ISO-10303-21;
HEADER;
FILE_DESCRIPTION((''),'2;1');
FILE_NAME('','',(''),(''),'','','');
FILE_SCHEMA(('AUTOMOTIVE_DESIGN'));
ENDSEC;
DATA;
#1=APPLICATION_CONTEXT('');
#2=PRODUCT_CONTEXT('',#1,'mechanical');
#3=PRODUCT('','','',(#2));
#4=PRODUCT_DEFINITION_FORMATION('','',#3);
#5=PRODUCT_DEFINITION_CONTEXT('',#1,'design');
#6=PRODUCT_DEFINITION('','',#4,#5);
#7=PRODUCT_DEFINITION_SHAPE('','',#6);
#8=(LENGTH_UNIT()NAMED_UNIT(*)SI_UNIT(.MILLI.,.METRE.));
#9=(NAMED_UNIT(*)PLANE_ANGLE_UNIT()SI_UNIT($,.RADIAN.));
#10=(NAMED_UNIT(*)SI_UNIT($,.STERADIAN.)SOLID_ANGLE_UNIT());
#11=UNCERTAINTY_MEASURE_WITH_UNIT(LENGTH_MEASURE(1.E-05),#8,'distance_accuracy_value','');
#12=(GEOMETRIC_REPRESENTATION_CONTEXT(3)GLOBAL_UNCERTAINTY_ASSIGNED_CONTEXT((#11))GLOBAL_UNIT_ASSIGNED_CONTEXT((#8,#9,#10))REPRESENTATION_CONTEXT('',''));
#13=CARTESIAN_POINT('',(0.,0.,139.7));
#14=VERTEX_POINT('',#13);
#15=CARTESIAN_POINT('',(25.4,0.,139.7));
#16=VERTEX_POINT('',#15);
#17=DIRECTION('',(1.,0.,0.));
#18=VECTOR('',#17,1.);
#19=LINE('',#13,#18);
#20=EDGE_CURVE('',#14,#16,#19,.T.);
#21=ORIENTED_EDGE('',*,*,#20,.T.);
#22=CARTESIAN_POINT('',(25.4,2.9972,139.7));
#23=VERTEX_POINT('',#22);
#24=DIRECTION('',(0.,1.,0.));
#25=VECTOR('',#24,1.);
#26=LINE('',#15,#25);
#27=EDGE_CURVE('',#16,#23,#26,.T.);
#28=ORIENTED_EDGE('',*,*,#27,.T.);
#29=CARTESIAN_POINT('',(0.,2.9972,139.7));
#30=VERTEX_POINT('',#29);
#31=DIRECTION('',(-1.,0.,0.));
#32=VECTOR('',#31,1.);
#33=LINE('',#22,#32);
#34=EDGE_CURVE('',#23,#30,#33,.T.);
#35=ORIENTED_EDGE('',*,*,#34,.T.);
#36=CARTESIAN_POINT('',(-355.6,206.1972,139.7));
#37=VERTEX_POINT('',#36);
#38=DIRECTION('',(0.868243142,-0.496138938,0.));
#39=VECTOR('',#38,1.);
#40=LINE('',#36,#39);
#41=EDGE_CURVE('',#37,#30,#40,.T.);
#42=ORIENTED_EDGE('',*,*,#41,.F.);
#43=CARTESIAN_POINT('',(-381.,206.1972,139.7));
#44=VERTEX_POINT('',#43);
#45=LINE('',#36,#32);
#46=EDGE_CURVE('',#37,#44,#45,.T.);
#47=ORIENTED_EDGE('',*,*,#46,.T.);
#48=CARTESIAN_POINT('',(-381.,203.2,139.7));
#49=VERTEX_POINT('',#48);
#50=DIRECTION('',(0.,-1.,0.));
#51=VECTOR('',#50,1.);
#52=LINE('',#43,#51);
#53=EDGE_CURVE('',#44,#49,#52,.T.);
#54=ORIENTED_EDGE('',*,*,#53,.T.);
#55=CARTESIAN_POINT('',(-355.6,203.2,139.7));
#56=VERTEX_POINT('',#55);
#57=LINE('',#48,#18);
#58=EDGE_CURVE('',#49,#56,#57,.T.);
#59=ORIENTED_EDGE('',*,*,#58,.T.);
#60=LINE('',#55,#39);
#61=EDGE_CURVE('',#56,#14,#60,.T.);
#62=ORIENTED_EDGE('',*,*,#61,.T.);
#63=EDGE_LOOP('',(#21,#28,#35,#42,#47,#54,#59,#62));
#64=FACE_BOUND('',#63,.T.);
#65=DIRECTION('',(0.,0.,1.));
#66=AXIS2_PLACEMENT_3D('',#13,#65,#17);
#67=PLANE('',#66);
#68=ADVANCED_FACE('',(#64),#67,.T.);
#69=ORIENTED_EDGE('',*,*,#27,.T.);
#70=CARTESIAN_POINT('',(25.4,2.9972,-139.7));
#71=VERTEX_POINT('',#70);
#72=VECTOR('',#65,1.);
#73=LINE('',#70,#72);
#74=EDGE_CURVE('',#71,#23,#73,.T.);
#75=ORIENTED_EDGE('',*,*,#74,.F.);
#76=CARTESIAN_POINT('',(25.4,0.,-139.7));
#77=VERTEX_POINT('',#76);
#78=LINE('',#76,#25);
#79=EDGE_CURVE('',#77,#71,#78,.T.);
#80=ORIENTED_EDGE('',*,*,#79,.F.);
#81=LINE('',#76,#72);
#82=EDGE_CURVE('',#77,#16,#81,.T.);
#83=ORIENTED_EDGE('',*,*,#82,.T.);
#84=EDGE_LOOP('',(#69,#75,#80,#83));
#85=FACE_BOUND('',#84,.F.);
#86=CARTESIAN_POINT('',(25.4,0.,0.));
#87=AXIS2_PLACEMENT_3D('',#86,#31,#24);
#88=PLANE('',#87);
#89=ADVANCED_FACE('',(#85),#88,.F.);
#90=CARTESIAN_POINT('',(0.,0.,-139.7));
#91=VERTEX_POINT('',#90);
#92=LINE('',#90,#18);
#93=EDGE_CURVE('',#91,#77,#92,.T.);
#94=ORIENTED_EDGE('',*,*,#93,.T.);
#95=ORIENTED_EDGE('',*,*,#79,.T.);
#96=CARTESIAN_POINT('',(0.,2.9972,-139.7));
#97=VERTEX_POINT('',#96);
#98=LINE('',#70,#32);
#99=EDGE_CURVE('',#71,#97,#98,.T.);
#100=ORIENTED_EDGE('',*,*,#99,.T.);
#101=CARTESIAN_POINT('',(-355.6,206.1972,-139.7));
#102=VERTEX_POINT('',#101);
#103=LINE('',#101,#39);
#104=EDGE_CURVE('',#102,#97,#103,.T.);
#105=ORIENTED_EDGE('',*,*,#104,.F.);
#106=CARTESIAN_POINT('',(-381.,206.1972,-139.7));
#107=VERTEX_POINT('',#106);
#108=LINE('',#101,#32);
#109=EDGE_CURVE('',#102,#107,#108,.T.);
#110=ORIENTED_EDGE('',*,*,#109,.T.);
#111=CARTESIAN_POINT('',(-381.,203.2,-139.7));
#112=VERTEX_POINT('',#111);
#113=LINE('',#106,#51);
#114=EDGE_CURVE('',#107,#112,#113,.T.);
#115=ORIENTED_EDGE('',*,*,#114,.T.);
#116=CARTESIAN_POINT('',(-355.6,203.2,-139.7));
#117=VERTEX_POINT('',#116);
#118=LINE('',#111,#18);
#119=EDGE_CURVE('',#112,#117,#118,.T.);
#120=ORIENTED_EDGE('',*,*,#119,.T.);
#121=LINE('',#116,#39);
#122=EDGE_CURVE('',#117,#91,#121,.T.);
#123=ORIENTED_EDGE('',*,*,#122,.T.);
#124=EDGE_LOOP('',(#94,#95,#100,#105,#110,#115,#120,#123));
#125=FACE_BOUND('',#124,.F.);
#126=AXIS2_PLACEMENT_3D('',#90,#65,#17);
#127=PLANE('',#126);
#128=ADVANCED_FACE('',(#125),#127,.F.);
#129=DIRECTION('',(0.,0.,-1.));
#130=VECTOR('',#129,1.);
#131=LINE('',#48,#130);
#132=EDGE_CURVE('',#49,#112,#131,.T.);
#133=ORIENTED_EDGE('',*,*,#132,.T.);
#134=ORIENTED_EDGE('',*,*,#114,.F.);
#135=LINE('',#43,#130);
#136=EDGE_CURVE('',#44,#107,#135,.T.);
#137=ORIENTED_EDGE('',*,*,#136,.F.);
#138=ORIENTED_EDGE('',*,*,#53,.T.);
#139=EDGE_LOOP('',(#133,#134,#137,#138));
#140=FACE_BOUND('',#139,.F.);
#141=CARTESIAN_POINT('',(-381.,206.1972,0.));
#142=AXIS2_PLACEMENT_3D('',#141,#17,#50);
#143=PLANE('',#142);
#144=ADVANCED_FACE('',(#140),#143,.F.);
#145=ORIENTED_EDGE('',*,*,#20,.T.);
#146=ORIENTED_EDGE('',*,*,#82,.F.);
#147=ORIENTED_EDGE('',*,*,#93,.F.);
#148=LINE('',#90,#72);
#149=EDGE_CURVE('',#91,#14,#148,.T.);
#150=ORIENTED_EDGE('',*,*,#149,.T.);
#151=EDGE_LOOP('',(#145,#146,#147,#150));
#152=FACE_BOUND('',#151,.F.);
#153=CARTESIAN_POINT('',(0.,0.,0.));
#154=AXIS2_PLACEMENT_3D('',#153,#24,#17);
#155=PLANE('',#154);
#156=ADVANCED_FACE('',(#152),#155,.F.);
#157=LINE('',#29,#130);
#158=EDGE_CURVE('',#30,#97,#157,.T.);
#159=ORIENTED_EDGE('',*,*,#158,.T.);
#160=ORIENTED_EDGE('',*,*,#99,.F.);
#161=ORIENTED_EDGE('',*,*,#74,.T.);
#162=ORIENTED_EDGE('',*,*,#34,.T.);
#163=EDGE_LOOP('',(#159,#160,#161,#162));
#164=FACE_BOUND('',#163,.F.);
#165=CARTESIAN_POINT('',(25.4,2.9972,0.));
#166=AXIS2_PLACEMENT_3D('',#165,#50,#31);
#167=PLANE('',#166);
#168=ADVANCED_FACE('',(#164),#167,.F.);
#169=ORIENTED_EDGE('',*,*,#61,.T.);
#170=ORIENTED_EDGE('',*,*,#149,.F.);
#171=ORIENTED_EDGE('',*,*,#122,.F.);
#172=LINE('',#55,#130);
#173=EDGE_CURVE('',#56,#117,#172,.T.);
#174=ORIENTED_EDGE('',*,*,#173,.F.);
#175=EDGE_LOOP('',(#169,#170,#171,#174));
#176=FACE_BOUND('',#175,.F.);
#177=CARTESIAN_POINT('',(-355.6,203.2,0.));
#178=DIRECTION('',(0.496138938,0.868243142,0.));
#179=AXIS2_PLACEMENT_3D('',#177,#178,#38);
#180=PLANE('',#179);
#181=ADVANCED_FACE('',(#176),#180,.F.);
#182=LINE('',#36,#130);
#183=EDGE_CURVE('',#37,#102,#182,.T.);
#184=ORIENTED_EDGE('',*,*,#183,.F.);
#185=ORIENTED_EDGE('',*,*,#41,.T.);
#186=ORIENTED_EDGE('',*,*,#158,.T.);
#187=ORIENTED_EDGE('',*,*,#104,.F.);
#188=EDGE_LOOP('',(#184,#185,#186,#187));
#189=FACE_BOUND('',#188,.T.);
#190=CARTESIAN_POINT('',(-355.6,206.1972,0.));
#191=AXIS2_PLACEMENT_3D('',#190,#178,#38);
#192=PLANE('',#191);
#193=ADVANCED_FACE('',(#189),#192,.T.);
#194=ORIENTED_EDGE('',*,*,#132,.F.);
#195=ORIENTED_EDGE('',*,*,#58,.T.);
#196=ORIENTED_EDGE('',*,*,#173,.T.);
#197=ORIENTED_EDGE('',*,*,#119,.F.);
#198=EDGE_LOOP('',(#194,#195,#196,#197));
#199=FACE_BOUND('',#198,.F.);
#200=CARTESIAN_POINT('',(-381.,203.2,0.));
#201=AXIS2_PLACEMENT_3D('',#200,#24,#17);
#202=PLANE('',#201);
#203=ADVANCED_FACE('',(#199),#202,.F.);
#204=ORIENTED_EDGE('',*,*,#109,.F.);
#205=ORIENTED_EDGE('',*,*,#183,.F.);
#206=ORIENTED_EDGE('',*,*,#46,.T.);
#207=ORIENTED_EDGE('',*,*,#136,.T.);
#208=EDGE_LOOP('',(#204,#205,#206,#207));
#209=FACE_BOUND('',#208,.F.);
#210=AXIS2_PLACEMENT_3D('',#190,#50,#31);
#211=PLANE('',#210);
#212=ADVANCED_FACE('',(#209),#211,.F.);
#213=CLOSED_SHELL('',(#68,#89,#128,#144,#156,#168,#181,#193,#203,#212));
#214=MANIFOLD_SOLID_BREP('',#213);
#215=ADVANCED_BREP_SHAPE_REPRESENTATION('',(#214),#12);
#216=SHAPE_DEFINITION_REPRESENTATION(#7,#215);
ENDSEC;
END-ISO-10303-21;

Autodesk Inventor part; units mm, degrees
ref_plane "YZ Plane" through (0, 0, 0) normal (1, 0, 0) x (0, 1, 0)
ref_plane "XZ Plane" through (0, 0, 0) normal (0, 1, 0) x (-1, 0, 0)
ref_plane "XY Plane" through (0, 0, 0) normal (0, 0, 1) x (1, 0, 0)
sketch "Sketch1" plane through (0, 0, 0) normal (0, 0, 1) x (1, 0, 0)
  line L0 (0, 0) -> (25.4, 0)
  line L1 (25.4, 0) -> (25.4, 2.9972)
  line L2 (25.4, 2.9972) -> (0, 2.9972)
  line L3 (-355.6, 206.1972) -> (0, 2.9972)
  line L4 (-355.6, 206.1972) -> (-381, 206.1972)
  line L5 (-381, 206.1972) -> (-381, 203.2)
  line L6 (-381, 203.2) -> (-355.6, 203.2)
  line L7 (-355.6, 203.2) -> (0, 0)
  dimension "d0" = 25.4
  dimension "d1" = 2.9972
  dimension "d2" = 25.4
  dimension "d3" = 25.4
  dimension "d4" = 2.9972
  dimension "d5" = 25.4
extrude "Extrusion1" add sketch "Sketch1" along normal mid plane 279.4
properties part number "TemporaryLexan"
